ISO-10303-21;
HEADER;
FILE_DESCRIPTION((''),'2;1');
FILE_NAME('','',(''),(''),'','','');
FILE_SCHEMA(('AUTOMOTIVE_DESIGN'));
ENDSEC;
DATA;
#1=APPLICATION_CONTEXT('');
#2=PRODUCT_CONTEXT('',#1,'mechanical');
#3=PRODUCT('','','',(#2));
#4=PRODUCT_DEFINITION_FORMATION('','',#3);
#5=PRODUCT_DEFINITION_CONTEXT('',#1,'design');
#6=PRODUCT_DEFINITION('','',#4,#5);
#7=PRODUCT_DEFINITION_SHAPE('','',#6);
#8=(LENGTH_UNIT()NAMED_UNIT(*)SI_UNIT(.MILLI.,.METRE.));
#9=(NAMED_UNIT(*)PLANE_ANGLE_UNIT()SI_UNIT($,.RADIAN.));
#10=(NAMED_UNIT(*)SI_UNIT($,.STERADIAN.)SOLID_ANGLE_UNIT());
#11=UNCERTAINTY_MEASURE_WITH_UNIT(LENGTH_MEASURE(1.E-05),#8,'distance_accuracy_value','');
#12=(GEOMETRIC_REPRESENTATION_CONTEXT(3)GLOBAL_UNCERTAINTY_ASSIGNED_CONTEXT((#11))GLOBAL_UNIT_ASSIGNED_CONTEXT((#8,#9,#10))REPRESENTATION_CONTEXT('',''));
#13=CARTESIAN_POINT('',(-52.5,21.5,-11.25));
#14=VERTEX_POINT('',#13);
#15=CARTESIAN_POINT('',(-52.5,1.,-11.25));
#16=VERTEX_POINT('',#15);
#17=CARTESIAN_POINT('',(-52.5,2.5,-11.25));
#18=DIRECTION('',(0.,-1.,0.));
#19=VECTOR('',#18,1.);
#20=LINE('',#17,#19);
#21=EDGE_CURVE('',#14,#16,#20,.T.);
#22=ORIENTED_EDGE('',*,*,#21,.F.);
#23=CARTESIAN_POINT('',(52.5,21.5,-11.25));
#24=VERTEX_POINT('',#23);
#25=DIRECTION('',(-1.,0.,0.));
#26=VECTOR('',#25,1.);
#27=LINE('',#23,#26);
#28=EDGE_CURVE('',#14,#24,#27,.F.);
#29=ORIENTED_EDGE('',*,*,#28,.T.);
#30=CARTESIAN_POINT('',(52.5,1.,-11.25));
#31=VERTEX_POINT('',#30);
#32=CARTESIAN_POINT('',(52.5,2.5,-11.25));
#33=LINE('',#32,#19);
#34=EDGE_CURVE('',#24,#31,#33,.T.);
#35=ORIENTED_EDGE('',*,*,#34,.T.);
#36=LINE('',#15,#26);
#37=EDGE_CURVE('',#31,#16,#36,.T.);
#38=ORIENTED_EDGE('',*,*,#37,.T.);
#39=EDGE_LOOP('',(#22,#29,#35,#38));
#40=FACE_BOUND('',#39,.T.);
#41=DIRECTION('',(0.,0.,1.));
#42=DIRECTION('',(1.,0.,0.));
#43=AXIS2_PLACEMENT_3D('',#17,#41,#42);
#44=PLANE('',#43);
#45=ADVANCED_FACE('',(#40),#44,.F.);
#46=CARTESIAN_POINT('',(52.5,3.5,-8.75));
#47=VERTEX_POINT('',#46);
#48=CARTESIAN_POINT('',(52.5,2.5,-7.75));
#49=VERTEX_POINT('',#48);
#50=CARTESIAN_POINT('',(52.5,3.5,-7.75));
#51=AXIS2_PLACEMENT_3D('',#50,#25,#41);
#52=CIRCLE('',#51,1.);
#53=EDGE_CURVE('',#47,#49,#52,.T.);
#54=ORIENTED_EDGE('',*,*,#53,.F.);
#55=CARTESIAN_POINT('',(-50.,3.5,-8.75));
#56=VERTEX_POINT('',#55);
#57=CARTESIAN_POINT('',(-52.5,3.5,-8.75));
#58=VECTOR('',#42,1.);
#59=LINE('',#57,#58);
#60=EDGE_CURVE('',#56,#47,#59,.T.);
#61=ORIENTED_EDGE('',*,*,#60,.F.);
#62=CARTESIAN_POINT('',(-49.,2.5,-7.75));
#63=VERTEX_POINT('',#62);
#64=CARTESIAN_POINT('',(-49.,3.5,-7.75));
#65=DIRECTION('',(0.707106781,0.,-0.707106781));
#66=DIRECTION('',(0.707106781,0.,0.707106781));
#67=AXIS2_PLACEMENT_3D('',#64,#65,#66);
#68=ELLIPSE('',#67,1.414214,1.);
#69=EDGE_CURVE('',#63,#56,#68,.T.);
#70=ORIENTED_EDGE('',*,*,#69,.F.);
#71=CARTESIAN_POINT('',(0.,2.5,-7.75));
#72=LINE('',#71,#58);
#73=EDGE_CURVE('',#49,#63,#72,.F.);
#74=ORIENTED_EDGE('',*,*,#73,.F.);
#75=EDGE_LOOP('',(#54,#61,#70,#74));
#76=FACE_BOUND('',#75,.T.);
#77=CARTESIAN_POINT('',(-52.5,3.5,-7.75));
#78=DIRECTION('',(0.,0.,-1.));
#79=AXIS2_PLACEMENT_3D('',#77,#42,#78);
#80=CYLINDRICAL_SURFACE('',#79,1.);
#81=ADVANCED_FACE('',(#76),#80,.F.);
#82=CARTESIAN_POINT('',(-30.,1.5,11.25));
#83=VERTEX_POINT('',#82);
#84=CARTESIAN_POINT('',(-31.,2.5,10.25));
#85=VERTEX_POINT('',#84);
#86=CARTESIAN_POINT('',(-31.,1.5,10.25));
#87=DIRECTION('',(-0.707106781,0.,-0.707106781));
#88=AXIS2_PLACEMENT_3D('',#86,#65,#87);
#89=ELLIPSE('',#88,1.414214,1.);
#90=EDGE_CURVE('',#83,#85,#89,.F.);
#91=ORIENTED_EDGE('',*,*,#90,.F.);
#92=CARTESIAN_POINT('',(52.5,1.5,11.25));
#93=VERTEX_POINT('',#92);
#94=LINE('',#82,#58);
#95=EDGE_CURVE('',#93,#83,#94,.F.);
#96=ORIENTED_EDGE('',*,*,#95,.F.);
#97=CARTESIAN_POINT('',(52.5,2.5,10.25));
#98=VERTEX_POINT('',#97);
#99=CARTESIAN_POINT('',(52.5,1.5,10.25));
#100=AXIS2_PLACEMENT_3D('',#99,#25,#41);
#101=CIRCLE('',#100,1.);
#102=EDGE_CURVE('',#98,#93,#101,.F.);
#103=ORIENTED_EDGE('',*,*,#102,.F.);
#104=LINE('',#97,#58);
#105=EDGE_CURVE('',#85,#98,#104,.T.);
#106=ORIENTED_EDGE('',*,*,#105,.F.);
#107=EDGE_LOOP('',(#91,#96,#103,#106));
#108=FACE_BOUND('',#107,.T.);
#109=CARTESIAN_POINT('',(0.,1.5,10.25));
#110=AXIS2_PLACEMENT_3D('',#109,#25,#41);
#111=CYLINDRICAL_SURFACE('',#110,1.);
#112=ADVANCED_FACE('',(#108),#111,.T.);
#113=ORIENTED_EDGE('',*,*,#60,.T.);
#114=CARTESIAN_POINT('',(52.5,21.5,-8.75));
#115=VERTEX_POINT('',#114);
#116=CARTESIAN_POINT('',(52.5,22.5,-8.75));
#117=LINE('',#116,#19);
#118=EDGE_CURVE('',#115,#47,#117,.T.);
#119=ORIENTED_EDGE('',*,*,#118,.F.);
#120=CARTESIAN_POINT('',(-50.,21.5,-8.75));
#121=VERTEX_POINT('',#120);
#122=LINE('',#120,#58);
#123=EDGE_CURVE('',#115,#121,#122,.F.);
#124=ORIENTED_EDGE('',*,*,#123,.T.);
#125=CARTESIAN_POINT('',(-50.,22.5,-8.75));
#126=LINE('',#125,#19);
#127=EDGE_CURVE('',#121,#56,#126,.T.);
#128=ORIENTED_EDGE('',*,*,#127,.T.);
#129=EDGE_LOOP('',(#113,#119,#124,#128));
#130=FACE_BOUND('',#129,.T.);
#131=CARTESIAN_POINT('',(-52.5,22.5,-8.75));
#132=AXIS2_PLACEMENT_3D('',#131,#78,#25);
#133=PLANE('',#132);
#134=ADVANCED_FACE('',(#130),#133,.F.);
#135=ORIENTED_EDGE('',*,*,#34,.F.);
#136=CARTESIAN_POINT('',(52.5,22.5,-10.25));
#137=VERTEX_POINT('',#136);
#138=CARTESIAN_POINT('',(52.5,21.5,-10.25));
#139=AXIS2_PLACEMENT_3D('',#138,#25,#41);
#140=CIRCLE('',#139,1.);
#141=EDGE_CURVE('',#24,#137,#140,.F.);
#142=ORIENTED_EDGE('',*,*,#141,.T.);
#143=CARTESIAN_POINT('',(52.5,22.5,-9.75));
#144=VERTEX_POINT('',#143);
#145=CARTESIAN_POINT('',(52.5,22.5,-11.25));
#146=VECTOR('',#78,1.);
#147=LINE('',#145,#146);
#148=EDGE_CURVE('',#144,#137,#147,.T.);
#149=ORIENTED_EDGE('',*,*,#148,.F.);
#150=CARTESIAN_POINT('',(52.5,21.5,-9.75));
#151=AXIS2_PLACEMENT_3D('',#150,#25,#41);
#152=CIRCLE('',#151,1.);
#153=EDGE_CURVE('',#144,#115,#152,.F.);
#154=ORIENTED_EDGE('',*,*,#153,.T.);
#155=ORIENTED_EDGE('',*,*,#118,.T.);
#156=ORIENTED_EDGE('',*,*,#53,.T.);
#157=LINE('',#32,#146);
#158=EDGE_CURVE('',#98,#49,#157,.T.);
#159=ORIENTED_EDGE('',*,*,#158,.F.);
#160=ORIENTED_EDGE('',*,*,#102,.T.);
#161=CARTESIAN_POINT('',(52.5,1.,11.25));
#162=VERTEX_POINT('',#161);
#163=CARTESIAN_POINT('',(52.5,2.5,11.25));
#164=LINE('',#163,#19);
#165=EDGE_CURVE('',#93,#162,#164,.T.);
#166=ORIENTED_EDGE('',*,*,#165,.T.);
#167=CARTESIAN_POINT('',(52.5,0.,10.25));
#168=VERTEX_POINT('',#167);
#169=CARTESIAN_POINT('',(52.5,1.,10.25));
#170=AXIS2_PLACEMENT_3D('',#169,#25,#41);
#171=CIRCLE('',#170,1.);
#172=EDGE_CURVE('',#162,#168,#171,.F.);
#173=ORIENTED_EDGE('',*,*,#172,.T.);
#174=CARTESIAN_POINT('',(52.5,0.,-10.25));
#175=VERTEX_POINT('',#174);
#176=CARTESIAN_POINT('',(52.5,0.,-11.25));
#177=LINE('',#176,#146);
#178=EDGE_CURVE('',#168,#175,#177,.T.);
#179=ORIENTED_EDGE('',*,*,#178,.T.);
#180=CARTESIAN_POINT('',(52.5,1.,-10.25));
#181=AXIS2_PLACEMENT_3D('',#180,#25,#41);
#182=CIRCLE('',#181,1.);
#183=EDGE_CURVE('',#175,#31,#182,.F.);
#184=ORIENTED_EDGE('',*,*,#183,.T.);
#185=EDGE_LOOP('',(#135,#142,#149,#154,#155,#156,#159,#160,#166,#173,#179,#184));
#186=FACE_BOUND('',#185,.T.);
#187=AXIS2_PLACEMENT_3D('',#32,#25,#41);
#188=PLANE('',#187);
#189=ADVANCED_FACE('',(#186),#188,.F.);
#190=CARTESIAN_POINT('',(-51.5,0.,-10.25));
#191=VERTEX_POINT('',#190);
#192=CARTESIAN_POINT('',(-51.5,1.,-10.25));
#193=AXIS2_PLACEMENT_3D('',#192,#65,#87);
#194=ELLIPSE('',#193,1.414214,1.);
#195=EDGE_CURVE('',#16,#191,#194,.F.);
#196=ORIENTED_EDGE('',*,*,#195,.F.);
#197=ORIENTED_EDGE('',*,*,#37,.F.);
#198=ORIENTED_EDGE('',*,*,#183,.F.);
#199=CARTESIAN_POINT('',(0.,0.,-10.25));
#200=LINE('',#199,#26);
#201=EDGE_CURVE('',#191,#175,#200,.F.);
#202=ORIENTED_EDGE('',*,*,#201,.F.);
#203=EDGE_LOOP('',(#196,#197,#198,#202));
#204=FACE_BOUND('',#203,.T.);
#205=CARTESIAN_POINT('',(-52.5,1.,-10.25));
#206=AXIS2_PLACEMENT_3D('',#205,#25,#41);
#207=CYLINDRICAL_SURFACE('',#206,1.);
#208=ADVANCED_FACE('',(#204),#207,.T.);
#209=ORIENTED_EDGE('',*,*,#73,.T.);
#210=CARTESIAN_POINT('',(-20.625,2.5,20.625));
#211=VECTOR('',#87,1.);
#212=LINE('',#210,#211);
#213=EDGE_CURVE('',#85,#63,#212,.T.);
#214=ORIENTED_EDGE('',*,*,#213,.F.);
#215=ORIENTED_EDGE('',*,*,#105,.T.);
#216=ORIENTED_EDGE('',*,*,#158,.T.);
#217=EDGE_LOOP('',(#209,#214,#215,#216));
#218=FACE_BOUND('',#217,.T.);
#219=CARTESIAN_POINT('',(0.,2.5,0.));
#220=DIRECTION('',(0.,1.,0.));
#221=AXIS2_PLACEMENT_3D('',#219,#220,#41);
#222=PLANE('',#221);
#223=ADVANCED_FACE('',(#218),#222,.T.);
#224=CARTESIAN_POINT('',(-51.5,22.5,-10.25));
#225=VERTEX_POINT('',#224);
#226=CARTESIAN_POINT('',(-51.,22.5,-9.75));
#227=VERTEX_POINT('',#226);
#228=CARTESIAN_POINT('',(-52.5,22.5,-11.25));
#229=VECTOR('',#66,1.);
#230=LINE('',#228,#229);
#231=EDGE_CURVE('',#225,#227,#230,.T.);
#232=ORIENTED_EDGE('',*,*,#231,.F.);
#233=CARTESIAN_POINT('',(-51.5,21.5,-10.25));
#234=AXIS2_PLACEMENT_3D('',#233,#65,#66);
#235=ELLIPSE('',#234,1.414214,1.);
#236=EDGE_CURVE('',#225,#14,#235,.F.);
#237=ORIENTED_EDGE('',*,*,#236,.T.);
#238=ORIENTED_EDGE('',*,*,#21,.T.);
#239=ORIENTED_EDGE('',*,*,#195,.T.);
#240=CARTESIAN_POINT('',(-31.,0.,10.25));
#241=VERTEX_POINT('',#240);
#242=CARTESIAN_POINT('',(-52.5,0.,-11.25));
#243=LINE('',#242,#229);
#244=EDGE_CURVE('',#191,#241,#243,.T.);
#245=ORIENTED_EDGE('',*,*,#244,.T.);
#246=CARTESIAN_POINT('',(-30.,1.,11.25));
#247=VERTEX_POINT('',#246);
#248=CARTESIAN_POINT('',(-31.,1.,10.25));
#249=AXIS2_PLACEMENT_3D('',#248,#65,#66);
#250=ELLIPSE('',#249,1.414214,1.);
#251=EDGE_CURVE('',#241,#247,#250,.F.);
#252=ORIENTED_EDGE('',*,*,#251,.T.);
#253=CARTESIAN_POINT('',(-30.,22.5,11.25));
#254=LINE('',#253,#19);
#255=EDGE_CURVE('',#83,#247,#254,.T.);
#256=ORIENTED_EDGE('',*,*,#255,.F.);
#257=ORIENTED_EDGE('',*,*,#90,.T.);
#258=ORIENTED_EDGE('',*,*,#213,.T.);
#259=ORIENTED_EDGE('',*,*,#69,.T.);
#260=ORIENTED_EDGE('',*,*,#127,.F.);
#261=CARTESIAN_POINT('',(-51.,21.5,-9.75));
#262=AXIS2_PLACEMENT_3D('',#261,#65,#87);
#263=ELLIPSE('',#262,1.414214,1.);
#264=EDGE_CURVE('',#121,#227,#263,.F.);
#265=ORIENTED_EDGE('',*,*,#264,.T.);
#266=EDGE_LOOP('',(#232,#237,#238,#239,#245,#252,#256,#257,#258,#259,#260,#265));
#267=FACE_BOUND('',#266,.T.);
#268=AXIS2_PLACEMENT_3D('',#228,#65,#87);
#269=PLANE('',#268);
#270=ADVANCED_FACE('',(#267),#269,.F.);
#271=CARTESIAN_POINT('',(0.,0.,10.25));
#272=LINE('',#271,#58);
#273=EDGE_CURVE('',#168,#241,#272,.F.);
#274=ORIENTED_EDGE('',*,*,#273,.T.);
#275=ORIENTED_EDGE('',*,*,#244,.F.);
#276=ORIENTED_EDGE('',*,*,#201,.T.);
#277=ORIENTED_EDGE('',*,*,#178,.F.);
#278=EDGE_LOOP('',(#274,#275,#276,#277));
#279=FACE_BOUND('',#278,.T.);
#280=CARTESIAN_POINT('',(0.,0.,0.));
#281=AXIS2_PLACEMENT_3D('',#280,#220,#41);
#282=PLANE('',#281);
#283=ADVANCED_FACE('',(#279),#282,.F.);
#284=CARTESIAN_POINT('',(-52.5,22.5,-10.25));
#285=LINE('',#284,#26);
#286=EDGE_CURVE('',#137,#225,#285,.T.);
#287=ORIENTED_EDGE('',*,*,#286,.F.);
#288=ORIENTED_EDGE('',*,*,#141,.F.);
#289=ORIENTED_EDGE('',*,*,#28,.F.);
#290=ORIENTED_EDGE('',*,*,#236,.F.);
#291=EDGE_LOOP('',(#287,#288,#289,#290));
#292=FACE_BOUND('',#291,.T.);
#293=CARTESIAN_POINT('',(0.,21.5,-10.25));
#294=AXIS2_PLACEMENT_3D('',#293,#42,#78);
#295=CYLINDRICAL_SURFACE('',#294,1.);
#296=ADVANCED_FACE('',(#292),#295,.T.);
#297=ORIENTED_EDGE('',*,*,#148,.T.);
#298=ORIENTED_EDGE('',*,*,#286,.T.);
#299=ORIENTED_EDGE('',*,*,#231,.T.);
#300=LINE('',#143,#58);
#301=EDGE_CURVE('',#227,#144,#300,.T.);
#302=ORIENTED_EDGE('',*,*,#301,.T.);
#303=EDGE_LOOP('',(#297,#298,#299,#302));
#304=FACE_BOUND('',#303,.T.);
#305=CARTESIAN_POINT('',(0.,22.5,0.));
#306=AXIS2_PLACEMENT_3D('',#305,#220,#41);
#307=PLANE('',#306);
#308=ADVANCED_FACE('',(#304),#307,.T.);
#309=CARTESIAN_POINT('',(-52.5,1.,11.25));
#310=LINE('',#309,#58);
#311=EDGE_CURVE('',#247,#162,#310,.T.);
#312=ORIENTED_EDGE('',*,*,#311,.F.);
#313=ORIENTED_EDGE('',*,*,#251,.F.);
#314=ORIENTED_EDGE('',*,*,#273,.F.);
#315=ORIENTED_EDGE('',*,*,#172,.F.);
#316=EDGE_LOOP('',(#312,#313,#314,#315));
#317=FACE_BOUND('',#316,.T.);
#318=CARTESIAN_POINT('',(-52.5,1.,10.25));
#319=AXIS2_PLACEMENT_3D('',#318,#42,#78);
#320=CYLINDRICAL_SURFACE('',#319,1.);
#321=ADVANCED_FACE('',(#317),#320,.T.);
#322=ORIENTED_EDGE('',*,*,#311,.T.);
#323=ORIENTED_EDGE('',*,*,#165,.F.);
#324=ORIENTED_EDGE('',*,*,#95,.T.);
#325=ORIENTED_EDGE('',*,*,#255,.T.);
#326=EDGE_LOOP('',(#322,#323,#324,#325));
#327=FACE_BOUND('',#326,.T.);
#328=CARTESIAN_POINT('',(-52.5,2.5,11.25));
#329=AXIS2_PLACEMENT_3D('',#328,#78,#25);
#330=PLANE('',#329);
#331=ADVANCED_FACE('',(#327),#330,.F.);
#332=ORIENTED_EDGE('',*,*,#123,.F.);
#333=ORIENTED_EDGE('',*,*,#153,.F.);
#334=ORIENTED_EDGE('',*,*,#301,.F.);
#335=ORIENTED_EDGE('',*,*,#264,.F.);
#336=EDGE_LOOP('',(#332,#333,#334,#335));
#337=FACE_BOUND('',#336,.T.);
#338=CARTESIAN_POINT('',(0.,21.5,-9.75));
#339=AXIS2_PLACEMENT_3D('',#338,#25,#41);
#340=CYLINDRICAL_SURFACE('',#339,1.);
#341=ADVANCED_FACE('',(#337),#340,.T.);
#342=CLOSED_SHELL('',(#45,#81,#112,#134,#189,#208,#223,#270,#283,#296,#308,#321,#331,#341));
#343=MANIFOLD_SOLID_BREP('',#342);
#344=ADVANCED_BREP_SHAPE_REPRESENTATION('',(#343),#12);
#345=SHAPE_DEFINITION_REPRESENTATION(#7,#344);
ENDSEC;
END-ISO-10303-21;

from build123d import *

# Parameters (mm, degrees)
SKETCH1_W           = 105
SKETCH1_H           = 22.5
BOSS_EXTRUDE1_DEPTH = 2.5
SKETCH2_W           = 105
SKETCH2_H           = 2.5
BOSS_EXTRUDE2_DEPTH = 20
CUT_EXTRUDE1_DEPTH  = 59.215655111
FILLET1_R           = 1


with BuildPart() as part:
    # Sketch1 → Boss-Extrude1 (new body)
    with BuildSketch(Plane(origin=(0, 0, 0), x_dir=(1, 0, 0), z_dir=(0, 1, 0))):
        Rectangle(SKETCH1_W, SKETCH1_H)
    extrude(amount=BOSS_EXTRUDE1_DEPTH)

    # Sketch2 → Boss-Extrude2 (add)
    with BuildSketch(Plane(origin=(0, 2.5, 0), x_dir=(1, 0, 0), z_dir=(0, 1, 0))):
        with Locations((0, 10)):
            Rectangle(SKETCH2_W, SKETCH2_H)
    extrude(amount=BOSS_EXTRUDE2_DEPTH)

    # Sketch3 → Cut-Extrude1 (cut, through all)
    with BuildSketch(Plane(origin=(0, 0, 0), x_dir=(-1, 0, 0), z_dir=(0, -1, 0))):
        Polygon((52.5, -11.25), (52.5, 11.25), (30, -11.25), align=None)
    extrude(amount=-CUT_EXTRUDE1_DEPTH, mode=Mode.SUBTRACT)

    # Fillet1
    fillet1_edges = [part.edges().sort_by_distance(p)[0] for p in [
        (0, 22.5, -11.25),
        (1.25, 22.5, -8.75),
        (1.25, 2.5, -8.75),
        (11.25, 0, 11.25),
        (11.25, 2.5, 11.25),
        (0, 0, -11.25),
    ]]
    fillet(fillet1_edges, radius=FILLET1_R)


solid = part.part
